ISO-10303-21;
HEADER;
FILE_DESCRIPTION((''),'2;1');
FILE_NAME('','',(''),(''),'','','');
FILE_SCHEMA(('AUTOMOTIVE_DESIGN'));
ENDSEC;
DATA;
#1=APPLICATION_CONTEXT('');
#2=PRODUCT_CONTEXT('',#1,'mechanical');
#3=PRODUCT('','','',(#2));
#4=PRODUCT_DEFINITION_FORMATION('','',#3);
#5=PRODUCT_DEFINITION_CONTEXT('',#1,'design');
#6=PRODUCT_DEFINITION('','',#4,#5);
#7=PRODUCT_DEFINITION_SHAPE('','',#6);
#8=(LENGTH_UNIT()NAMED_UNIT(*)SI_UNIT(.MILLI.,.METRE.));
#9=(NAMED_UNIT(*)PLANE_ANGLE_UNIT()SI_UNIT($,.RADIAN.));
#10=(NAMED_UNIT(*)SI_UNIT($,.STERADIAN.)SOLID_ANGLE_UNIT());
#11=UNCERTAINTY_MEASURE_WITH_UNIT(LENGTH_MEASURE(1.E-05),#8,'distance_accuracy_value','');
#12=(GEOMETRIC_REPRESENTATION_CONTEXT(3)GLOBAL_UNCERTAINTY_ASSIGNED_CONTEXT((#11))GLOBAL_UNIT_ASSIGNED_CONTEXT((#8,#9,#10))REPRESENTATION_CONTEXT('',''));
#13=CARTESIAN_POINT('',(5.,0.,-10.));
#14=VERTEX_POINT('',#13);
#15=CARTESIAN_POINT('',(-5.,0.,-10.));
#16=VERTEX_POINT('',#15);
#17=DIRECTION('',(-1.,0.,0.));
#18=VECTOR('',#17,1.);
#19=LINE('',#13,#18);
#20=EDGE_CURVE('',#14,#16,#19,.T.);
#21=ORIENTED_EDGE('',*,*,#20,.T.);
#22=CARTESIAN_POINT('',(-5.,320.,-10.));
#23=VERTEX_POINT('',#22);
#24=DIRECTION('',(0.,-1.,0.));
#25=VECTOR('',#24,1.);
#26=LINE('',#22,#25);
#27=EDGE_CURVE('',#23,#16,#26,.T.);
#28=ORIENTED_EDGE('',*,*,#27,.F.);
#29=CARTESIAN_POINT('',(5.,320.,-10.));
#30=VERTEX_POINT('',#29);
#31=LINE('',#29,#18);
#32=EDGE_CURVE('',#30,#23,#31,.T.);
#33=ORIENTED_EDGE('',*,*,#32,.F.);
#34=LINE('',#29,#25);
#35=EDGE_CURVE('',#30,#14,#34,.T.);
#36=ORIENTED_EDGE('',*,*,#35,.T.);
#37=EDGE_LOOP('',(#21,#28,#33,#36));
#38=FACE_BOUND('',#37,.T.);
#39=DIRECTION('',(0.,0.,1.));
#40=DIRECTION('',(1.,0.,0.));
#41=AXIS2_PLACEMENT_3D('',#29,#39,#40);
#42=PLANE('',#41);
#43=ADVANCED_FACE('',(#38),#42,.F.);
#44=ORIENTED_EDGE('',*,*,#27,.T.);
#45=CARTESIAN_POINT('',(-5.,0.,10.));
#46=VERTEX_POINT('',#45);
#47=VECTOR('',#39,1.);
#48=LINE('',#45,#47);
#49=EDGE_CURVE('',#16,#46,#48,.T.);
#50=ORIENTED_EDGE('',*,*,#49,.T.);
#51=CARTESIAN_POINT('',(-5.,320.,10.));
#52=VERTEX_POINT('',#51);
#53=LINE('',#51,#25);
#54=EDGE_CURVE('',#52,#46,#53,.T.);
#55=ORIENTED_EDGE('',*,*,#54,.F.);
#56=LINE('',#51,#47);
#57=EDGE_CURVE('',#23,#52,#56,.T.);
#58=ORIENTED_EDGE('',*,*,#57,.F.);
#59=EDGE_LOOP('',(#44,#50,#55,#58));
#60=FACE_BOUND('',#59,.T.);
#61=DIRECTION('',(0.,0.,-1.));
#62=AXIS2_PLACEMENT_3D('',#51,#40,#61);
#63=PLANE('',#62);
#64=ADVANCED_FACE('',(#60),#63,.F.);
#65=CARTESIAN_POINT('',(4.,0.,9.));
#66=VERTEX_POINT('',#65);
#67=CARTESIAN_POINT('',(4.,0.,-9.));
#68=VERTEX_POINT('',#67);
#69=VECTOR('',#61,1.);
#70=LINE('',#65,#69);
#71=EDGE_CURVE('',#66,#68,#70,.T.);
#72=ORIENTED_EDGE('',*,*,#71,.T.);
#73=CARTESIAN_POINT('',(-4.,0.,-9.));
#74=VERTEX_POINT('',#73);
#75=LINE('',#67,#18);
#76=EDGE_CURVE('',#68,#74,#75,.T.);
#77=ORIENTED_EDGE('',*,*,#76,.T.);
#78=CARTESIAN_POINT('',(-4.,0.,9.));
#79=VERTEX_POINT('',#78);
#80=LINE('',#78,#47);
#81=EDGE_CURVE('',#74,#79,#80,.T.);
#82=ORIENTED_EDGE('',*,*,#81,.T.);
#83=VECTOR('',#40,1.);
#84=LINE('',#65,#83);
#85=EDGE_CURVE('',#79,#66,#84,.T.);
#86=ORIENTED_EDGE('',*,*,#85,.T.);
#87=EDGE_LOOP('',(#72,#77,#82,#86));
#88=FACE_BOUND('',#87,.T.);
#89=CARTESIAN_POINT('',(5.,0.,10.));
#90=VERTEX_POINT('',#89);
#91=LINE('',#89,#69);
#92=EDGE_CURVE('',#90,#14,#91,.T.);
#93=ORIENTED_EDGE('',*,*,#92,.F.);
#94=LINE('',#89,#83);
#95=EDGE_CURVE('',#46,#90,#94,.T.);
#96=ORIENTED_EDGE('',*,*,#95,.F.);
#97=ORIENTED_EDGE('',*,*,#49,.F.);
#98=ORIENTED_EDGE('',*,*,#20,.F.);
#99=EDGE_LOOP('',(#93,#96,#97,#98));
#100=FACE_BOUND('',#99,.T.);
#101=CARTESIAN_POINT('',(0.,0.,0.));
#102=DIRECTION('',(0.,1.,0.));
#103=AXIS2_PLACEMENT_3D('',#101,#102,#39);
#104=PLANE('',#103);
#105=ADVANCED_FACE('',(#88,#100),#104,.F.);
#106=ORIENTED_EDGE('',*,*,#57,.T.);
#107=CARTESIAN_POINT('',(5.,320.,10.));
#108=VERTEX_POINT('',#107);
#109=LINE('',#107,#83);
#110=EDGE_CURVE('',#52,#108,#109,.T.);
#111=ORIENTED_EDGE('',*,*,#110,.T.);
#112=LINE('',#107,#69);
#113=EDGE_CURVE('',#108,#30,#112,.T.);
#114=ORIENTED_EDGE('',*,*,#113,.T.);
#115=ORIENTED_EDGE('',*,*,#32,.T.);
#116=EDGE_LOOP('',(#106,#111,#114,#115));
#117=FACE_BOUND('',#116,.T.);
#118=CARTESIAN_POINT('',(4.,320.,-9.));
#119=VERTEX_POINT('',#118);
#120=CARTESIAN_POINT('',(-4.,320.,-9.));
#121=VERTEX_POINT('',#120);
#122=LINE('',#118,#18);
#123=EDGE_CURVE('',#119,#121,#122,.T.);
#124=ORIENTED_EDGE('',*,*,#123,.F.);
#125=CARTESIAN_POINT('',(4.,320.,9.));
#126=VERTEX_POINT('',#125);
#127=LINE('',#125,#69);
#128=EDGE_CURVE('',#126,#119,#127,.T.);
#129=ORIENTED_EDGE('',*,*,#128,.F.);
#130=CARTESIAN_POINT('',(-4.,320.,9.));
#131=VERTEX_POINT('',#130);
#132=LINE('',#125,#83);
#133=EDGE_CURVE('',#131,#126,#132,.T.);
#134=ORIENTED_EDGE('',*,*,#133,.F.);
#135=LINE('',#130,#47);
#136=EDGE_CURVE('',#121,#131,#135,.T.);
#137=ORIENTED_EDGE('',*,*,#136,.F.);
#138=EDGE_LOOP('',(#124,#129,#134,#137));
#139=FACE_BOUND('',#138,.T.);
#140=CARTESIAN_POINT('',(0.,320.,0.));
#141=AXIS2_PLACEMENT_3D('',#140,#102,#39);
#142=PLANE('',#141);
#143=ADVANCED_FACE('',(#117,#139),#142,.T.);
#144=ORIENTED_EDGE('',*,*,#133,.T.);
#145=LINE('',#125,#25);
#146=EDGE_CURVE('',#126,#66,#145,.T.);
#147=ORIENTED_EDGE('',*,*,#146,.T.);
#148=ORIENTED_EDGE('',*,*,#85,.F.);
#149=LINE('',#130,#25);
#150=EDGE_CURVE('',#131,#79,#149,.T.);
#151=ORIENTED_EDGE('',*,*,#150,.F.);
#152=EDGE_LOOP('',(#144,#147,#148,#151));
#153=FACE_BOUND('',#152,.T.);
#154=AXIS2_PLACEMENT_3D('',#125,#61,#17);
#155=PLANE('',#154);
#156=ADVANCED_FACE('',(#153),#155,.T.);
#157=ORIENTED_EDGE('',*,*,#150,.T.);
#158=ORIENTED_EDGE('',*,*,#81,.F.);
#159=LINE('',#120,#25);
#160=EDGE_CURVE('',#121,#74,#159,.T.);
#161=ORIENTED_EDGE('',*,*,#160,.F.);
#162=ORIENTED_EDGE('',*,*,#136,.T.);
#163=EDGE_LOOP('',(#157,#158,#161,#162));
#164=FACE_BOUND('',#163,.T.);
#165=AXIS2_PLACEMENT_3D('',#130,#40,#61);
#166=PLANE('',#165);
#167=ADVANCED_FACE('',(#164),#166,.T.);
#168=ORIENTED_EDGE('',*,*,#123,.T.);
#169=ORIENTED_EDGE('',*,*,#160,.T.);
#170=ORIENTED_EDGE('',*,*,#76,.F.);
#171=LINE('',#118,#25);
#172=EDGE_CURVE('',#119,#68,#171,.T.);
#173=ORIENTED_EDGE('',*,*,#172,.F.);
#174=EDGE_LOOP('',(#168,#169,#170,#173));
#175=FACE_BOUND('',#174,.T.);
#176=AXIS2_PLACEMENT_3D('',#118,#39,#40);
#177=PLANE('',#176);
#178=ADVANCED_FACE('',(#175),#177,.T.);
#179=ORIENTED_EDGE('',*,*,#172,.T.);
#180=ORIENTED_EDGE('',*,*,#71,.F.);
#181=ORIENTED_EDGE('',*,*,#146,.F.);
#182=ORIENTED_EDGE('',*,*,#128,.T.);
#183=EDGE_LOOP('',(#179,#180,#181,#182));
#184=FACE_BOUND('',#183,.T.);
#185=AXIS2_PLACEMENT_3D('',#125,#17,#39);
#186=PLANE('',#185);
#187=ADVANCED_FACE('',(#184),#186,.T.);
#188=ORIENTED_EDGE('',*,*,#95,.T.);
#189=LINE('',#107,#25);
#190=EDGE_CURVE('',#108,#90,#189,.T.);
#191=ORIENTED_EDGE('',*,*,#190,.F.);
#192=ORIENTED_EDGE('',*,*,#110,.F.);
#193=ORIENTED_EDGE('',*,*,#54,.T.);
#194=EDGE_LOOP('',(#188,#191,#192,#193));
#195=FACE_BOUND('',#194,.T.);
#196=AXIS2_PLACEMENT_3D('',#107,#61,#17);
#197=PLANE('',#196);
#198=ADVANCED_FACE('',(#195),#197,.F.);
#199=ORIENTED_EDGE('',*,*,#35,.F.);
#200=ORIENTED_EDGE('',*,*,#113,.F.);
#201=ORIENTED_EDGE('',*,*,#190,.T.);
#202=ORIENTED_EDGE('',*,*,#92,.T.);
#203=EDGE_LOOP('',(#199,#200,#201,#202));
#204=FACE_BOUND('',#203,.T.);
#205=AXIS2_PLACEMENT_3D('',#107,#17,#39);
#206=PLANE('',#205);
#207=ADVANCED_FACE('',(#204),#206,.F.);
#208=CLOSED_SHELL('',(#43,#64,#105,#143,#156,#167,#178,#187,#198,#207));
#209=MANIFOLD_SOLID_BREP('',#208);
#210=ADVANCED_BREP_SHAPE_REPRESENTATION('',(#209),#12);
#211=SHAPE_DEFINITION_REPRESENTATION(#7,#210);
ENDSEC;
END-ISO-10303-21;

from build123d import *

# Parameters (mm, degrees)
SKETCH1_W           = 10
SKETCH1_H           = 20
SKETCH1_W_2         = 8
SKETCH1_H_2         = 18
BOSS_EXTRUDE1_DEPTH = 320


with BuildPart() as part:
    # Sketch1 → Boss-Extrude1 (new body)
    with BuildSketch(Plane(origin=(0, 0, 0), x_dir=(1, 0, 0), z_dir=(0, 1, 0))):
        Rectangle(SKETCH1_W, SKETCH1_H)
        Rectangle(SKETCH1_W_2, SKETCH1_H_2, mode=Mode.SUBTRACT)
    extrude(amount=BOSS_EXTRUDE1_DEPTH)


solid = part.part
